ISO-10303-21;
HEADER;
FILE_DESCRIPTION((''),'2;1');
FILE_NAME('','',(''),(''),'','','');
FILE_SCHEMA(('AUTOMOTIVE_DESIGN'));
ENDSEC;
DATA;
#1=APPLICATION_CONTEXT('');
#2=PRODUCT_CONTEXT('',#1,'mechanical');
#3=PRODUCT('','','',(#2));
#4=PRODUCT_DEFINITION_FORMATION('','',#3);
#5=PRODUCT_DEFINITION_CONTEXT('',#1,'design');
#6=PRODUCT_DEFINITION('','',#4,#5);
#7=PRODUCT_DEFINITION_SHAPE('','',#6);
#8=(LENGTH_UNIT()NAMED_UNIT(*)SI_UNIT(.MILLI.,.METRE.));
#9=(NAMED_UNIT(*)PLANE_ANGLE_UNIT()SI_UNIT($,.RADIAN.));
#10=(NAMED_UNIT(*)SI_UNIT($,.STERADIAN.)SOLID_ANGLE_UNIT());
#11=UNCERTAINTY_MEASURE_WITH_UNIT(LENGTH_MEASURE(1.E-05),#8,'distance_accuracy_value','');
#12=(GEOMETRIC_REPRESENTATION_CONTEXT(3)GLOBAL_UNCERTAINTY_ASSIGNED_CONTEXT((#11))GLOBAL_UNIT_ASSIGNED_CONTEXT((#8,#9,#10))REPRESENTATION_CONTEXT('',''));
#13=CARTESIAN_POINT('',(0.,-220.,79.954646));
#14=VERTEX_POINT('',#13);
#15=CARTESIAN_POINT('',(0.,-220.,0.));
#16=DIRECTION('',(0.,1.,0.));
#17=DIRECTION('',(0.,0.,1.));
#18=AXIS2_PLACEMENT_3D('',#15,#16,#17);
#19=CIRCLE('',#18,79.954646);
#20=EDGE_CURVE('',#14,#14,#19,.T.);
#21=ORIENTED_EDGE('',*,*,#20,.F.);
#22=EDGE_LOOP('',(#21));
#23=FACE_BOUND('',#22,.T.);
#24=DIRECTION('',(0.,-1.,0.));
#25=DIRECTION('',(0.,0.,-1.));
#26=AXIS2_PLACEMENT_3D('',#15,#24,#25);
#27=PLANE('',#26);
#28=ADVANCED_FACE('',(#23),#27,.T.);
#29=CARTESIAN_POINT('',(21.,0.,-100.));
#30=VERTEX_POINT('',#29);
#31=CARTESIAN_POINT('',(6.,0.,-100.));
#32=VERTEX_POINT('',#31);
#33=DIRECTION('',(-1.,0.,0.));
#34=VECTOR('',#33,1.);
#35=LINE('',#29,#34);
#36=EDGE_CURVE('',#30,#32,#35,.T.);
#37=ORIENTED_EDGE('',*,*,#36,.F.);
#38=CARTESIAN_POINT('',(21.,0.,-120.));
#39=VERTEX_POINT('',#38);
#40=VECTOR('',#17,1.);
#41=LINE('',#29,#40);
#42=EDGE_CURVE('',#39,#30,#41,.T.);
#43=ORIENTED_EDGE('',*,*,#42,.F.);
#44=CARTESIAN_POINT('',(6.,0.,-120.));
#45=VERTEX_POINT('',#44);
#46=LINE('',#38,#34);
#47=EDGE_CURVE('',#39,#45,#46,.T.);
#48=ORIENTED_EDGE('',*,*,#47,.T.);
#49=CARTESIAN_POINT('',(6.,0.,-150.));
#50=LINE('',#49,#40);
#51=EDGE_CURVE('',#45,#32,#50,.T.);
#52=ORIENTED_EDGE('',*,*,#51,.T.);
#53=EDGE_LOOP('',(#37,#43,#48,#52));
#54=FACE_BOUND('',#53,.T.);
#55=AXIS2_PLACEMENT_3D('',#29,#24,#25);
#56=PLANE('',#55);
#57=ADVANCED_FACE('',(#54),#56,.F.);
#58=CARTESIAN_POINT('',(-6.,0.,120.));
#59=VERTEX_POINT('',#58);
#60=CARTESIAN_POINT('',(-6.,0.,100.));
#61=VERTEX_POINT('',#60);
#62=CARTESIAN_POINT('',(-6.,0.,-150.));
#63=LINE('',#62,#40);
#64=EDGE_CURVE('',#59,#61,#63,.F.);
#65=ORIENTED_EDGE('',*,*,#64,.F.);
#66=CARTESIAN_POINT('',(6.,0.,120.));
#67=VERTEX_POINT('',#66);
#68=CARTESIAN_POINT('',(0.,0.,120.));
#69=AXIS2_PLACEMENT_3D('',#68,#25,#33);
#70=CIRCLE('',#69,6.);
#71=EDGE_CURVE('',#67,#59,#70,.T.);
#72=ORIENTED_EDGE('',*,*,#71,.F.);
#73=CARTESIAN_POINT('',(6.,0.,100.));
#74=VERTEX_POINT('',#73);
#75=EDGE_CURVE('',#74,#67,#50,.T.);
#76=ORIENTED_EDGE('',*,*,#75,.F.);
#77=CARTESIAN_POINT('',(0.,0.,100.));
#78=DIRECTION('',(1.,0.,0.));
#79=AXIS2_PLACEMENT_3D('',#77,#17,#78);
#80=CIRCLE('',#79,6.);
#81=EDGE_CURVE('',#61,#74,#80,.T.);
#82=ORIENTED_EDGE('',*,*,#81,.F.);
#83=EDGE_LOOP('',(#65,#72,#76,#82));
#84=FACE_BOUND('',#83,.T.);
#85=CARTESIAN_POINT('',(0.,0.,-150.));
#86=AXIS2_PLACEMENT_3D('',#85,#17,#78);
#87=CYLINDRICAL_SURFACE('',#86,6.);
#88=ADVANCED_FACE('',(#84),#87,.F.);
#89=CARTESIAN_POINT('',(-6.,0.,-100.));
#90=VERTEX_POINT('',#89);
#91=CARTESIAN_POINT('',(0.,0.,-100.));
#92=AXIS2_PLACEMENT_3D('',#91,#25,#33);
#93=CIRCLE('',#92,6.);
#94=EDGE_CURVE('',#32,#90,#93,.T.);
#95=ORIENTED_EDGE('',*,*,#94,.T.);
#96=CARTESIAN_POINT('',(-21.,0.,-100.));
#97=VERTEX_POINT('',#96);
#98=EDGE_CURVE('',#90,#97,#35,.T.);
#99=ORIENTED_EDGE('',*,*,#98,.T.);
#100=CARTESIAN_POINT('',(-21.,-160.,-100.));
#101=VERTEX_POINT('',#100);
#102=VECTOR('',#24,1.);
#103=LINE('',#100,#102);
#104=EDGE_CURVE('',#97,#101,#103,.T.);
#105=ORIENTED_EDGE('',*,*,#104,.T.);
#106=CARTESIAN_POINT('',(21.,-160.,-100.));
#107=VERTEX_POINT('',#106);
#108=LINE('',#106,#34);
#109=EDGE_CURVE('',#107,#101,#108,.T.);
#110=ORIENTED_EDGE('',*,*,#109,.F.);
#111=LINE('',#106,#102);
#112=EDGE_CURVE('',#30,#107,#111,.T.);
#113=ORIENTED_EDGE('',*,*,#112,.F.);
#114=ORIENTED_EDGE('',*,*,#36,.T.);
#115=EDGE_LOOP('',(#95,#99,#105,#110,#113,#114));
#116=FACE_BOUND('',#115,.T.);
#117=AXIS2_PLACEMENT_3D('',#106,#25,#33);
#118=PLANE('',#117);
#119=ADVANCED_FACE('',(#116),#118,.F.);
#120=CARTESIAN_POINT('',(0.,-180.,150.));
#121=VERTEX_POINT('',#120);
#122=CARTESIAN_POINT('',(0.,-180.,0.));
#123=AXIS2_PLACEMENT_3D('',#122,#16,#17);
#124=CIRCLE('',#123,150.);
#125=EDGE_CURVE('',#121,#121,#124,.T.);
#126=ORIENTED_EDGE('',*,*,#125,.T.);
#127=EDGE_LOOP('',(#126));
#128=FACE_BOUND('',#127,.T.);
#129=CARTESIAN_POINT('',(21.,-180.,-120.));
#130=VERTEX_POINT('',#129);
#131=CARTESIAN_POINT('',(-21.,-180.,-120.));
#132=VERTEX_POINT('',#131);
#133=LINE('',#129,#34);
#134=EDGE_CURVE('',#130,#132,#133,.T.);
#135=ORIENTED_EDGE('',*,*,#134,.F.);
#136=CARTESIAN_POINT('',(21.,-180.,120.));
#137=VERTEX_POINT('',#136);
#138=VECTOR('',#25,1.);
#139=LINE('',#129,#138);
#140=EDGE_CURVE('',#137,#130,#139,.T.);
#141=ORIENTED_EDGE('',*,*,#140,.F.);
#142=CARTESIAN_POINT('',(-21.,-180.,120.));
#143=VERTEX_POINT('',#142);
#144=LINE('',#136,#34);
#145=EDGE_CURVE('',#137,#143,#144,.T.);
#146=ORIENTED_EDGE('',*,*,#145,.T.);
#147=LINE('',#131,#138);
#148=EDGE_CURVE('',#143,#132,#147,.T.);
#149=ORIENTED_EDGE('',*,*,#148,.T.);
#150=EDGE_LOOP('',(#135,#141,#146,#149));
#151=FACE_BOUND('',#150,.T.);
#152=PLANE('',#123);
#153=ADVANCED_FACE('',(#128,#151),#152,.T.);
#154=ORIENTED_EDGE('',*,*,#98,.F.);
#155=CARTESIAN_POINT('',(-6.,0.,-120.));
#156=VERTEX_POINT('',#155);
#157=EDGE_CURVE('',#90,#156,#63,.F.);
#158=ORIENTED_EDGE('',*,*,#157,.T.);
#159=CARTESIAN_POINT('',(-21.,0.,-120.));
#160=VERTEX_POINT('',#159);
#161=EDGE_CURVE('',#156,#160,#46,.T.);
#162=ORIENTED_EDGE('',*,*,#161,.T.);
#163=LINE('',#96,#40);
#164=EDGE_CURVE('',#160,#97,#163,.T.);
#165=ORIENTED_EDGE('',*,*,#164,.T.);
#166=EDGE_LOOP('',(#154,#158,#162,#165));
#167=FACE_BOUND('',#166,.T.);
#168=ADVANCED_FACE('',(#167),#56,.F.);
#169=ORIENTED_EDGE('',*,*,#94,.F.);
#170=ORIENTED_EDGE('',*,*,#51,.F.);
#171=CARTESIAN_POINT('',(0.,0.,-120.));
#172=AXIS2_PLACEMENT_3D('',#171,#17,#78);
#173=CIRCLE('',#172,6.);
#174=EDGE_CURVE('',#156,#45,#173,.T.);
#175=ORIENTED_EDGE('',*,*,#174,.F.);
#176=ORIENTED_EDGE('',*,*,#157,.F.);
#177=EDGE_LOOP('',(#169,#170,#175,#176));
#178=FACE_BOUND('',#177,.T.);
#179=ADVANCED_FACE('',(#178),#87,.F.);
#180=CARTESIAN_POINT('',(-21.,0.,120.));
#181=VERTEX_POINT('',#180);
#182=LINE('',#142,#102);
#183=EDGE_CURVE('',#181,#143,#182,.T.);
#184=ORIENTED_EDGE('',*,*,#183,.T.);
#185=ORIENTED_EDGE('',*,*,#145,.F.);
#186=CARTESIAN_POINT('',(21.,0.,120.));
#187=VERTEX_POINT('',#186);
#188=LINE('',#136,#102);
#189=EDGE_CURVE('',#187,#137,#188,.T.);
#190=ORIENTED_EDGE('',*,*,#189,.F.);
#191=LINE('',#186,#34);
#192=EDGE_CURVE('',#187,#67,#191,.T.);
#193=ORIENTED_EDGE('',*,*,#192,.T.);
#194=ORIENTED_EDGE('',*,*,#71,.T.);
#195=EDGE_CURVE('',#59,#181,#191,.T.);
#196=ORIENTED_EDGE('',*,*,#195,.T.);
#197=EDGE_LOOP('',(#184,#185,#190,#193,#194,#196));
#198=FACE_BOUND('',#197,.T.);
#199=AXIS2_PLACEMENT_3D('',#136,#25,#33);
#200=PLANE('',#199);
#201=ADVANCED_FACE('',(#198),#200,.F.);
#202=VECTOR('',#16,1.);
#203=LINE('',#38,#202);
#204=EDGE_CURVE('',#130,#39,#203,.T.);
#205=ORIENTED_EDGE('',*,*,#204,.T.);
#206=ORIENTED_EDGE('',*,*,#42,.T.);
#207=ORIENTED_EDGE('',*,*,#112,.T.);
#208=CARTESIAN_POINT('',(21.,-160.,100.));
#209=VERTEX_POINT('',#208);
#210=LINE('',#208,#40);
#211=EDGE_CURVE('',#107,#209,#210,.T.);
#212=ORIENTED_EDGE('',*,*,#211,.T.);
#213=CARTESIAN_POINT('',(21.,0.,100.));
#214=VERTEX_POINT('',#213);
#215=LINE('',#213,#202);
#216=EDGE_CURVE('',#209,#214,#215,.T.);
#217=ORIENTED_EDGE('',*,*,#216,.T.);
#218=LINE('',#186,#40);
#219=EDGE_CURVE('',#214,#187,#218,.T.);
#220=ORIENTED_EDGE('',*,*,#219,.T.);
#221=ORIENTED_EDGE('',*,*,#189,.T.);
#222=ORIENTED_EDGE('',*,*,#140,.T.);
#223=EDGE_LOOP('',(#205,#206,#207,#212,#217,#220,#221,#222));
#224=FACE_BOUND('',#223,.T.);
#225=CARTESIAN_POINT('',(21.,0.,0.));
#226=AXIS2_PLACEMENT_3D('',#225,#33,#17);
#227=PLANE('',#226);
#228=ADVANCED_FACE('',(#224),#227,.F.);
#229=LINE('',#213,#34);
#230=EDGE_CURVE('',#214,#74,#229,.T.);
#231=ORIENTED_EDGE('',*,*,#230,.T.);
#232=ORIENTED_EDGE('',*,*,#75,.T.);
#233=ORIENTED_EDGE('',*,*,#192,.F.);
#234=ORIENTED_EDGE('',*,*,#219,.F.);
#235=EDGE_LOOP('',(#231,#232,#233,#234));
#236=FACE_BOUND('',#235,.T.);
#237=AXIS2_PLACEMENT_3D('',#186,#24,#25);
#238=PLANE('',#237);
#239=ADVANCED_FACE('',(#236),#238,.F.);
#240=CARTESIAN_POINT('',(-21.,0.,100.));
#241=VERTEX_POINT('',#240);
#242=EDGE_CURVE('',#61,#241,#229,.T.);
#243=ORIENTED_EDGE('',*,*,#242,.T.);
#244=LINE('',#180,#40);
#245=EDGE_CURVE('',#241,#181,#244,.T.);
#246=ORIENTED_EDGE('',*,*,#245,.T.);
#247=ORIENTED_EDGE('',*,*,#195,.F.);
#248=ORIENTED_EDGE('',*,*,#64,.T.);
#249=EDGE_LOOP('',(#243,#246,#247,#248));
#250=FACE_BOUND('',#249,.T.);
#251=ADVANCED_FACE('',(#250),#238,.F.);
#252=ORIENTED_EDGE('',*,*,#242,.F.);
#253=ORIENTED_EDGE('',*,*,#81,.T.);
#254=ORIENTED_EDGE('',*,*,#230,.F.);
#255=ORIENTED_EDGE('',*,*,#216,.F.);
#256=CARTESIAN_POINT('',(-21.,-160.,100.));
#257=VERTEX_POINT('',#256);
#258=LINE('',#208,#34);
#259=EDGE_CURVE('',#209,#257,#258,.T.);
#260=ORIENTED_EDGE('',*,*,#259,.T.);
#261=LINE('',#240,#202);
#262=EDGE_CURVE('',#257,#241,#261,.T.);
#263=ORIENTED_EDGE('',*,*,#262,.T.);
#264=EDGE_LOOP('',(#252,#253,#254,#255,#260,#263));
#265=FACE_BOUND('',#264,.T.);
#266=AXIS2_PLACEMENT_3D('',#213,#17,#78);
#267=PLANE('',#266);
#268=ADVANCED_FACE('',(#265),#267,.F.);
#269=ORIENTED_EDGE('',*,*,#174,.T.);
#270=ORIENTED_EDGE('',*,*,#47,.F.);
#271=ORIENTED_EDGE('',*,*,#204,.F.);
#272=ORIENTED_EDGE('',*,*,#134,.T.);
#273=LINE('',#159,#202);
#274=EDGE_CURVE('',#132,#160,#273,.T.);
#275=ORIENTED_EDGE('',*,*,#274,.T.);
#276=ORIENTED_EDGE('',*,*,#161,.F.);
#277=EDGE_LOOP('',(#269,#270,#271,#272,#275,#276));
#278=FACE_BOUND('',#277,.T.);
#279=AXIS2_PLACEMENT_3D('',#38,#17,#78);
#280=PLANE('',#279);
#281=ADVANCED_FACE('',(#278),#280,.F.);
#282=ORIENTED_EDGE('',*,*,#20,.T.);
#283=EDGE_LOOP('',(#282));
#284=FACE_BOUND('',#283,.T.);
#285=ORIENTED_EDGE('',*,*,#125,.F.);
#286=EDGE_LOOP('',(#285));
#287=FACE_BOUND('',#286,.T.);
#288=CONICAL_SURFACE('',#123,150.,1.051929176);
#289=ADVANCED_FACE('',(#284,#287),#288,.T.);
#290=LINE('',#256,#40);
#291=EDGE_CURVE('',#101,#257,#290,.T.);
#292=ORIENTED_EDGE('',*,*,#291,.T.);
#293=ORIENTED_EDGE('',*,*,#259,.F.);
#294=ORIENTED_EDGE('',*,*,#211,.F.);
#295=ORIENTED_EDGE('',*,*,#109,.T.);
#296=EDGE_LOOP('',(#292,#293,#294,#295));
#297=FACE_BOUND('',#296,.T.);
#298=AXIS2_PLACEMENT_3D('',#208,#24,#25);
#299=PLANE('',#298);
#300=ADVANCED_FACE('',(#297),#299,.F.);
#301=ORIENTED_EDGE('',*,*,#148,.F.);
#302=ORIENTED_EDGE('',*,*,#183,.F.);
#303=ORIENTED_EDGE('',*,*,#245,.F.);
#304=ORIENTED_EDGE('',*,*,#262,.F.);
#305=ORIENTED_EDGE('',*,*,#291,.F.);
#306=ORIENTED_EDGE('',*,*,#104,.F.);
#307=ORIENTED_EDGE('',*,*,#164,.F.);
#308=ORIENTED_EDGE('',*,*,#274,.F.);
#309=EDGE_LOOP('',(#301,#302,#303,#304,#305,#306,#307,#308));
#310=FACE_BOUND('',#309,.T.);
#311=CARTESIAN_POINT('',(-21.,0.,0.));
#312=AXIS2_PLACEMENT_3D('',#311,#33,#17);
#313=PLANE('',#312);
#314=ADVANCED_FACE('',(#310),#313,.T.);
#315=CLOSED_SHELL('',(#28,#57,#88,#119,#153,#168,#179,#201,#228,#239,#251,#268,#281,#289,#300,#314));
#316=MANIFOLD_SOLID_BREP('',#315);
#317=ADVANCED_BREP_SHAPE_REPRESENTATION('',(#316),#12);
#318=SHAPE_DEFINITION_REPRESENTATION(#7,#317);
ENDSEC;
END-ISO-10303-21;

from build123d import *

# Parameters (mm, degrees)
BOSS_EXTRUDE1_DEPTH     = 21
CUT_EXTRUDE1_DEPTH      = 306.614135799
CUT_EXTRUDE1_DEPTH_BACK = 306.614135799
SKETCH3_R               = 6


with BuildPart() as part:
    # Sketch1 → Boss-Extrude1 (new, symmetric)
    with BuildSketch(Plane(origin=(0, 0, 0), x_dir=(0, 0, -1), z_dir=(1, 0, 0))):
        Polygon((-120, 0), (-100, 0), (-100, -160), (100, -160), (100, 0), (120, 0), (120, -180), (-120, -180), align=None)
    extrude(amount=BOSS_EXTRUDE1_DEPTH, both=True)

    # Sketch2 → Revolve1 (revolve)
    with BuildSketch(Plane.XY, mode=Mode.PRIVATE) as revolve1_sk:
        Polygon((0, -180), (150, -180), (79.954646314, -220), (0, -220), align=None)
    revolve(revolve1_sk.sketch.rotate(Axis((0, 87.726376394, 0), (0, -1, 0)), 90), axis=Axis((0, 87.726376394, 0), (0, -1, 0)))

    # Sketch3 → Cut-Extrude1 (cut, two sides: drawn at the far end of the back side and taken through both)
    with BuildSketch(Plane.XY.offset(-CUT_EXTRUDE1_DEPTH_BACK)):
        Circle(SKETCH3_R)
    extrude(amount=CUT_EXTRUDE1_DEPTH + CUT_EXTRUDE1_DEPTH_BACK, mode=Mode.SUBTRACT)


solid = part.part
